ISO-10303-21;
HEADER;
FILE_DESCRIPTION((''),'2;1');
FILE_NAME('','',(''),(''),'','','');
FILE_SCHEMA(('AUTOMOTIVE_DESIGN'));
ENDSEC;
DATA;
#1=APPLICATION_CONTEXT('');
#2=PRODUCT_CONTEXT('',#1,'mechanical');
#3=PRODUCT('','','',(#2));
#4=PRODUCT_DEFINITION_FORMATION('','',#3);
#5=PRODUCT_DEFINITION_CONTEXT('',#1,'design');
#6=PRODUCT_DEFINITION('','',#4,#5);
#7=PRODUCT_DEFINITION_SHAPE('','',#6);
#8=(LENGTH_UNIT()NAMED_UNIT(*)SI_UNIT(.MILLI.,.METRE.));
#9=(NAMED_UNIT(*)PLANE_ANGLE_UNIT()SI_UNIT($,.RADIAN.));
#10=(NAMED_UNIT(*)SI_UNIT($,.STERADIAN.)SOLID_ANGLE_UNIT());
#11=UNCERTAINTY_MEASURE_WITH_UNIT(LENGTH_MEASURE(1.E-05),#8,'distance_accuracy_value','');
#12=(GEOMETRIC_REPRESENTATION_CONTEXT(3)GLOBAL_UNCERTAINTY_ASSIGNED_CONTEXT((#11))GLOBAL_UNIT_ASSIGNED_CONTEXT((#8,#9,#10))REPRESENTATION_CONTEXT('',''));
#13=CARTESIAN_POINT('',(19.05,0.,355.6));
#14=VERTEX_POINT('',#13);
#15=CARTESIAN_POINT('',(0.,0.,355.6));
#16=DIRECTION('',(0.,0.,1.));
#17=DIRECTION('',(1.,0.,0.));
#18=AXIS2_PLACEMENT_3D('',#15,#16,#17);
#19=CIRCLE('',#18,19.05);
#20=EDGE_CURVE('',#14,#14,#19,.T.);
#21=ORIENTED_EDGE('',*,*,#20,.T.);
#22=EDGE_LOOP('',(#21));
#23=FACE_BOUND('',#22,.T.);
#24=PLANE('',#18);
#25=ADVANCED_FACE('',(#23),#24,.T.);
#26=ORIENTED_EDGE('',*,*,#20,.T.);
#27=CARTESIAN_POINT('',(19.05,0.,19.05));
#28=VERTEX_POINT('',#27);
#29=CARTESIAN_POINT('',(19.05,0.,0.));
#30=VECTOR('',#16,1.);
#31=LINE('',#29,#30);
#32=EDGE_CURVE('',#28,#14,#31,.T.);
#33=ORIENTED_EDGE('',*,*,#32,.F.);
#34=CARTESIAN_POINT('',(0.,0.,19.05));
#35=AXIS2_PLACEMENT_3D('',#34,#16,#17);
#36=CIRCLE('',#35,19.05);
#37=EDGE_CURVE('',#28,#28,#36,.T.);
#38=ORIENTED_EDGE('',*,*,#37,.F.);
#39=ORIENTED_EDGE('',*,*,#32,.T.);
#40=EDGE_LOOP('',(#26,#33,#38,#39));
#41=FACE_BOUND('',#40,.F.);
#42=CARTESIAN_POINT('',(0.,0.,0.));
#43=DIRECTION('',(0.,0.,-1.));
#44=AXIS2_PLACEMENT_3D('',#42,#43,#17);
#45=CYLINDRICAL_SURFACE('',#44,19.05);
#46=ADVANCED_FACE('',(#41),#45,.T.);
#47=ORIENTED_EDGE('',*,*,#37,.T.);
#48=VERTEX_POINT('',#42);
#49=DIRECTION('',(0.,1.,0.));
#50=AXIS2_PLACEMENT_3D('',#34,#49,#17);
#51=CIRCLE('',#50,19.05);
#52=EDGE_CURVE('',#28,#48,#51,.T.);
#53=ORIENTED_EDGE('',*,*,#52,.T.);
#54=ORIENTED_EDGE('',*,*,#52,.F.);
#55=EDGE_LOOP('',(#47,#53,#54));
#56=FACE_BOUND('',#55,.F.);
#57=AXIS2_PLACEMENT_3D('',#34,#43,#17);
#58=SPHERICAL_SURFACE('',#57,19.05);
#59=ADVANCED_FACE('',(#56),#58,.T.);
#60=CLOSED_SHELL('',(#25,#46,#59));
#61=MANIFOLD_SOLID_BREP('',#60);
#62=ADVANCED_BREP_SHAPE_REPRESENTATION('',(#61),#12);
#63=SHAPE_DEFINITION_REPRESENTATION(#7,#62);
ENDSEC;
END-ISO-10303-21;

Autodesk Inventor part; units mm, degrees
ref_plane "YZ Plane" through (0, 0, 0) normal (1, 0, 0) x (0, 1, 0)
ref_plane "XZ Plane" through (0, 0, 0) normal (0, 1, 0) x (-1, 0, 0)
ref_plane "XY Plane" through (0, 0, 0) normal (0, 0, 1) x (1, 0, 0)
sketch "Sketch1" plane through (0, 0, 0) normal (0, 0, 1) x (1, 0, 0)
  circle A0 centre (0, 0) radius 19.05
  dimension "d0" = 38.1
extrude "Extrusion1" add sketch "Sketch1" along normal blind 355.6
fillet "Fillet1" radius 19.05 1 edges at (-19.05, 0, 0)
properties part number "Drone Body Leg"
